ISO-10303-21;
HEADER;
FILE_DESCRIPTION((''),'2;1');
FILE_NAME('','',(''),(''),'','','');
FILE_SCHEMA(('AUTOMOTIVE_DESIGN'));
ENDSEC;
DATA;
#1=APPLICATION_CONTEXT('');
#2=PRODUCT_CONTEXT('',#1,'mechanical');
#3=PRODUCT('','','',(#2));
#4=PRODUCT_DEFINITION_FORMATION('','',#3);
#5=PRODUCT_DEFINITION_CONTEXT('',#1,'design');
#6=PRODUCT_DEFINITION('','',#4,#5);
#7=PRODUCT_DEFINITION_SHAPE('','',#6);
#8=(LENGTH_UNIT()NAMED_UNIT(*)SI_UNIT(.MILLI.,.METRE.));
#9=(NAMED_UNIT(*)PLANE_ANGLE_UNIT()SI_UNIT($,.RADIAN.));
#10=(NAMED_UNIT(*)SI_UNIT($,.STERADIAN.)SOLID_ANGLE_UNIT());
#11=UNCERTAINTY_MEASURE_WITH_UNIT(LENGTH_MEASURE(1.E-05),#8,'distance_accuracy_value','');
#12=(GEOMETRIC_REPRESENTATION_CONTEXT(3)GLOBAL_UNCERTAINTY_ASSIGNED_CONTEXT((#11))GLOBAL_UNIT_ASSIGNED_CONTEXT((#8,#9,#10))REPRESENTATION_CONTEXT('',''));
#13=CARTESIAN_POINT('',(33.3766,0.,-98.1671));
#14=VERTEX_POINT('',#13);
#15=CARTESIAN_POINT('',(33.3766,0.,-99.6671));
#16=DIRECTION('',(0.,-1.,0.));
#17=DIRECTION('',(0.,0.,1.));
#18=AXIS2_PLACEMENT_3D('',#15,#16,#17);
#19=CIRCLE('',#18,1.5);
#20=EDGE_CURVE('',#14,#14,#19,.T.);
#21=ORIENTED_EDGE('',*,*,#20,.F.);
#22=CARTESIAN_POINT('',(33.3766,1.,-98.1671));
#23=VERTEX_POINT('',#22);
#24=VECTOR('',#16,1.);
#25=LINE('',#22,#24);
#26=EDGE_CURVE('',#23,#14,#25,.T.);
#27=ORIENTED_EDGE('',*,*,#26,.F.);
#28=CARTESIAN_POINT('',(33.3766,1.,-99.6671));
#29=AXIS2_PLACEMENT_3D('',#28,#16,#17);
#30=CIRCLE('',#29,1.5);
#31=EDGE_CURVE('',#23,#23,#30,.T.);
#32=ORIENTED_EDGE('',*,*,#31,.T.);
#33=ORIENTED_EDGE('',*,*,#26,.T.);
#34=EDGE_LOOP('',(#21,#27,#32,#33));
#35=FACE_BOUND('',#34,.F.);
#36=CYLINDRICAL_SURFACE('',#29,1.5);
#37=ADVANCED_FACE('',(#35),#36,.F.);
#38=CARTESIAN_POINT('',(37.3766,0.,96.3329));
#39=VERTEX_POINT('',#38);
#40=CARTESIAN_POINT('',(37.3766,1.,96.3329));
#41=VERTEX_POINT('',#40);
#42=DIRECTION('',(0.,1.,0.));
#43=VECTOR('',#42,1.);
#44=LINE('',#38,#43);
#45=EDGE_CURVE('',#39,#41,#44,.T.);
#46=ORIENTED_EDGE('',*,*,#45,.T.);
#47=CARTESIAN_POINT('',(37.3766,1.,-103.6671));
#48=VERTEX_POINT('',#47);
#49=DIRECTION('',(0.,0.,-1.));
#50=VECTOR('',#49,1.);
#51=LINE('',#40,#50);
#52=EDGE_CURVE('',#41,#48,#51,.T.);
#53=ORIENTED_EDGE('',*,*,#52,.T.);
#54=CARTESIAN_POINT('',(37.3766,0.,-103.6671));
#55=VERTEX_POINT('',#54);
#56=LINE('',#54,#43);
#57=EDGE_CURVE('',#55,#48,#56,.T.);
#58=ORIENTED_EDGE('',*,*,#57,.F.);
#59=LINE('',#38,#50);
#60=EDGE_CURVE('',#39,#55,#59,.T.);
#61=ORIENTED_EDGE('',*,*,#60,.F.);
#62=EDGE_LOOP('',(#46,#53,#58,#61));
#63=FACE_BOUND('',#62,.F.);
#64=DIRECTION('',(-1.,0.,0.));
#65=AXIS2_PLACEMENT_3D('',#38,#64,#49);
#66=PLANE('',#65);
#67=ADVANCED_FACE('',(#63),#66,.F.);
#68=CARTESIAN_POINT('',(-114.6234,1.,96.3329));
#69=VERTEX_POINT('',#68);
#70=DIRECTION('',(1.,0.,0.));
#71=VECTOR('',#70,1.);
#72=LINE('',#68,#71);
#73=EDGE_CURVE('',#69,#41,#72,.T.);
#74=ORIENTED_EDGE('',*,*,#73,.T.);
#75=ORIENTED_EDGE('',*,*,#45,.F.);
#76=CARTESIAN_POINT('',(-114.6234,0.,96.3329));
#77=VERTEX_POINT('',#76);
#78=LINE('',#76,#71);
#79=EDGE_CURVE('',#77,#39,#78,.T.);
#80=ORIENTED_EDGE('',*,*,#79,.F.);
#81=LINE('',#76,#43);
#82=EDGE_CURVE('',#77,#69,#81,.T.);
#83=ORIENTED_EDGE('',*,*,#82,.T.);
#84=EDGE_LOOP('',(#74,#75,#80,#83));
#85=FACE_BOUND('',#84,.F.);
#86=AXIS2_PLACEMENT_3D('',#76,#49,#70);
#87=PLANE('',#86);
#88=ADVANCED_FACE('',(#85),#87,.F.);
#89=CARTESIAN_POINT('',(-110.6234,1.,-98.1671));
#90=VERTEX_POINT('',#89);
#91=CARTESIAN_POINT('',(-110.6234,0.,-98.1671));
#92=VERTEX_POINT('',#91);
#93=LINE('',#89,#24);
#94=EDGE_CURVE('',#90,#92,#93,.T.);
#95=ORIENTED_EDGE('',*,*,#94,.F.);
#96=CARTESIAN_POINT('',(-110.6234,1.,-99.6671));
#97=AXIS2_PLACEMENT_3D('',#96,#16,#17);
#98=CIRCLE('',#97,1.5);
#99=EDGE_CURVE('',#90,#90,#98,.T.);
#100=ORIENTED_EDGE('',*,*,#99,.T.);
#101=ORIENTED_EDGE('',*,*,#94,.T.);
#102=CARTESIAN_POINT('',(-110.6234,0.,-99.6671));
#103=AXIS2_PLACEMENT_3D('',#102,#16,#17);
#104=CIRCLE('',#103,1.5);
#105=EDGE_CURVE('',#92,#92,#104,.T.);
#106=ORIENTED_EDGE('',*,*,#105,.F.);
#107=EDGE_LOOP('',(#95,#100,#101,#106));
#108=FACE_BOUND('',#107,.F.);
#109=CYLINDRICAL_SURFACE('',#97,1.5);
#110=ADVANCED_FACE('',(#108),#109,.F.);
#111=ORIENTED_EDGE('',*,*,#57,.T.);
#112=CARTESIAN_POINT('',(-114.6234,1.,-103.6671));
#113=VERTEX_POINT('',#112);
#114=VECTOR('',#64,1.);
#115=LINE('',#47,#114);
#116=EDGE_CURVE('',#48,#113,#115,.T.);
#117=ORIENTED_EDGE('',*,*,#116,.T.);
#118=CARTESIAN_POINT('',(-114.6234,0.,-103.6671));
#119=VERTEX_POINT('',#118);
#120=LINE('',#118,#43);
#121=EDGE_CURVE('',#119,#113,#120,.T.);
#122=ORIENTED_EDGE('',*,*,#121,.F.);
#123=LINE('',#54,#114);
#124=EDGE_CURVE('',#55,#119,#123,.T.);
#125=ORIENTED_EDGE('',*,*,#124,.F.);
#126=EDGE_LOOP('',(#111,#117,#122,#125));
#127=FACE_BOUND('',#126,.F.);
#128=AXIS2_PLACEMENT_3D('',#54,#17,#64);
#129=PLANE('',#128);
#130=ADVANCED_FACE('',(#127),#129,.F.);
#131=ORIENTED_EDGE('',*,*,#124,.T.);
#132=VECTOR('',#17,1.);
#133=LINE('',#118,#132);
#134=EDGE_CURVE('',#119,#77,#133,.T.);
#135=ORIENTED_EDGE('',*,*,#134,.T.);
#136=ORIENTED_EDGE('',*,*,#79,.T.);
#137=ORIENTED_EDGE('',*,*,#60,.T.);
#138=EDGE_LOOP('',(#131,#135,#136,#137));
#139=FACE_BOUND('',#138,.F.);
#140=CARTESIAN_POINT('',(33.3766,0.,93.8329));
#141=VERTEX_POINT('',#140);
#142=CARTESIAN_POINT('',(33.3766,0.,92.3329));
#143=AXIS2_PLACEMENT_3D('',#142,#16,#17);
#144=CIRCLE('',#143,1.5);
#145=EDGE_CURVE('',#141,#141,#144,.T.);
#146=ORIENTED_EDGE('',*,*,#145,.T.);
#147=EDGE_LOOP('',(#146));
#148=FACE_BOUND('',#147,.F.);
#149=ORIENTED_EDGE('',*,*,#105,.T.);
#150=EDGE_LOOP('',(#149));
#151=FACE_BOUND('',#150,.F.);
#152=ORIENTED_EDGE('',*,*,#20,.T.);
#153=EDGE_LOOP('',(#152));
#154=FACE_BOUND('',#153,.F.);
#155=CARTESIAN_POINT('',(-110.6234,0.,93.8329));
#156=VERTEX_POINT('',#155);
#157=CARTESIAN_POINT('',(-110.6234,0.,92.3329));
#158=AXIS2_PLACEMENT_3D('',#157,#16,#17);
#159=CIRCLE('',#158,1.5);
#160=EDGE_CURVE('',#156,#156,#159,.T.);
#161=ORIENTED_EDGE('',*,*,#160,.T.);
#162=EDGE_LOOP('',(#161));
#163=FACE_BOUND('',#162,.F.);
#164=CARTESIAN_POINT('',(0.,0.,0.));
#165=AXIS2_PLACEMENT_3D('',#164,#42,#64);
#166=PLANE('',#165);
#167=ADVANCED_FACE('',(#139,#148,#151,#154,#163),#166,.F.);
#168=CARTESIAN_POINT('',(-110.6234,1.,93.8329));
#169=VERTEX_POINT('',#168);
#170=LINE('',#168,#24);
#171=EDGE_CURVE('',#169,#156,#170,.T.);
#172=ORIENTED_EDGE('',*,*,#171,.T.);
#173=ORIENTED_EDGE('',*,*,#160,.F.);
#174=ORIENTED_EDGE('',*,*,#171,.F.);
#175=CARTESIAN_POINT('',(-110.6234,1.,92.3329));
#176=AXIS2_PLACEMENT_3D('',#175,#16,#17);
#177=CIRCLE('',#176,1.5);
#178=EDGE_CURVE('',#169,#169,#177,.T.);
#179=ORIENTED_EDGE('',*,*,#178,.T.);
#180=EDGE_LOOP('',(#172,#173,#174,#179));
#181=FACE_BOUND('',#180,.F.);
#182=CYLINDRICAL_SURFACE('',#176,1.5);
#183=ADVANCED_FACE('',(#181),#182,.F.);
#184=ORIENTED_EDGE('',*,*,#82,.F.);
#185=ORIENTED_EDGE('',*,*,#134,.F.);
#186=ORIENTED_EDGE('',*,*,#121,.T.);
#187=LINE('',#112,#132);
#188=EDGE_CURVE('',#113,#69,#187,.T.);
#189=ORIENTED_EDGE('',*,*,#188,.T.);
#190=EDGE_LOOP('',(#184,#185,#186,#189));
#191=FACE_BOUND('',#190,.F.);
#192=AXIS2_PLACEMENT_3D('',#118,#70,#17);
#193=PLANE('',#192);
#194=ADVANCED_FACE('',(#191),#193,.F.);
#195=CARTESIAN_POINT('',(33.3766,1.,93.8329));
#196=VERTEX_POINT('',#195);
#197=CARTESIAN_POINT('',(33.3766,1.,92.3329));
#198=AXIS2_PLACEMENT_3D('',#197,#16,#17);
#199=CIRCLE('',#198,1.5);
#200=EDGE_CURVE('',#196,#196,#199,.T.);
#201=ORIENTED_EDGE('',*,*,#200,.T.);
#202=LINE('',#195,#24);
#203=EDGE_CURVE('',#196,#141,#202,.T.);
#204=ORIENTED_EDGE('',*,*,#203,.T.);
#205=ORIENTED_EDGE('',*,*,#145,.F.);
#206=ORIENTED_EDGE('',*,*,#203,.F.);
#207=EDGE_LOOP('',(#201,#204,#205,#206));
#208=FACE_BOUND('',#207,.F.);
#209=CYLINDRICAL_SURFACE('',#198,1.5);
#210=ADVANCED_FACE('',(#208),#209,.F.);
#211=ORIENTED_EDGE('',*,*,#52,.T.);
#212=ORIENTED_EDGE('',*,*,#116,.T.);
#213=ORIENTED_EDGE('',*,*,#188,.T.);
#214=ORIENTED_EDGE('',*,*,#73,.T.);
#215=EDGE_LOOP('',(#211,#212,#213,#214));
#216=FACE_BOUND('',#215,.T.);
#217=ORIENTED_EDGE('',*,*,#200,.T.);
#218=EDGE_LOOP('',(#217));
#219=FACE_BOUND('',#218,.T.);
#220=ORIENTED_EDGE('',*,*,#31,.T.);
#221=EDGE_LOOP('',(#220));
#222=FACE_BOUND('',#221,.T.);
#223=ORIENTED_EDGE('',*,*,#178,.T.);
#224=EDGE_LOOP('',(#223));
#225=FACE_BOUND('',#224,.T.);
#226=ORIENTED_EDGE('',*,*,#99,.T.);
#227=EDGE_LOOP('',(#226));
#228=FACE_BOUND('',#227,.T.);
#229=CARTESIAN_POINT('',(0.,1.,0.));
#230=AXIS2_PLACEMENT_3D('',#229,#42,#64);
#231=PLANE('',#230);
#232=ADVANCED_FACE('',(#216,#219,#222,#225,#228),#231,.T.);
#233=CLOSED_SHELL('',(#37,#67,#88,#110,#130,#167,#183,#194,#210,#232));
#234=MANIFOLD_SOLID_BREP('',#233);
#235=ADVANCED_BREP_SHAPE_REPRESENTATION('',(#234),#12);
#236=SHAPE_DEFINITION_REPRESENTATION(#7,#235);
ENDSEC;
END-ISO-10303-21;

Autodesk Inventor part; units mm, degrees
ref_plane "YZ Plane" through (0, 0, 0) normal (1, 0, 0) x (0, 1, 0)
ref_plane "XZ Plane" through (0, 0, 0) normal (0, 1, 0) x (-1, 0, 0)
ref_plane "XY Plane" through (0, 0, 0) normal (0, 0, 1) x (1, 0, 0)
sketch "Sketch1" plane through (0, 0, 0) normal (0, 1, 0) x (-1, 0, 0)
  line L0 (114.6234, 96.3329) -> (-37.3766, 96.3329)
  line L1 (-37.3766, 96.3329) -> (-37.3766, -103.6671)
  line L2 (-37.3766, -103.6671) -> (114.6234, -103.6671)
  line L3 (114.6234, -103.6671) -> (114.6234, 96.3329)
  point P0 (0, 0)
  dimension "d0" = 200
  dimension "d1" = 152
extrude "Extrusion1" add sketch "Sketch1" along normal blind 1
sketch "Sketch2" plane through (0, 1, 0) normal (0, 1, 0) x (1, 0, 0)
  line L0 (-114.6234, 103.6671) -> (-114.6234, -96.3329) projected
  line L1 (37.3766, -96.3329) -> (37.3766, 103.6671) projected
  line L2 (-114.6234, -96.3329) -> (37.3766, -96.3329) projected
  line L3 (37.3766, 103.6671) -> (-114.6234, 103.6671) projected
  point P0 (0, 0)
  point P1 (-110.6234, -92.3329)
  point P2 (33.3766, -92.3329)
  point P3 (33.3766, 99.6671)
  point P4 (-110.6234, 99.6671)
  dimension "d4" = 0
  dimension "d5" = 0
  dimension "d6" = 0
  dimension "d7" = 0
  dimension "d8" = 4
  dimension "d9" = 4
  dimension "d10" = 4
  dimension "d11" = 4
hole "Hole1" at (-110.6234, 1, 92.3329) at (33.3766, 1, 92.3329) at (33.3766, 1, -99.6671) at (-110.6234, 1, -99.6671) direction (0, -1, 0) diameter 3 depth 25.4 tip angle 118.188
equation "\"d0\" = BoardLength"
equation "\"d1\" = 3 * BoardWidth + 2 * BoardGap"
equation "\"d2\" = BoardHeight"
equation "\"d8\" = ScrewHoleOffset"
equation "\"d9\" = ScrewHoleOffset"
equation "\"d10\" = ScrewHoleOffset"
equation "\"d11\" = ScrewHoleOffset"
equation "\"d12\" = ScrewSize"
equation "\"BoardLength\" = 200"
equation "\"BoardWidth\" = 48"
equation "\"ScrewSize\" = 3"
equation "\"ScrewHoleOffset\" = 4"
equation "\"BoardGap\" = 4"
equation "\"BoardHeight\" = 1"
equation "\"BaseLength\" = 648"
equation "\"BaseWidth\" = 556"
equation "\"VertOffsetBetweenScrews\" = 192"
properties part number "PRT1001-212 3U Board"
